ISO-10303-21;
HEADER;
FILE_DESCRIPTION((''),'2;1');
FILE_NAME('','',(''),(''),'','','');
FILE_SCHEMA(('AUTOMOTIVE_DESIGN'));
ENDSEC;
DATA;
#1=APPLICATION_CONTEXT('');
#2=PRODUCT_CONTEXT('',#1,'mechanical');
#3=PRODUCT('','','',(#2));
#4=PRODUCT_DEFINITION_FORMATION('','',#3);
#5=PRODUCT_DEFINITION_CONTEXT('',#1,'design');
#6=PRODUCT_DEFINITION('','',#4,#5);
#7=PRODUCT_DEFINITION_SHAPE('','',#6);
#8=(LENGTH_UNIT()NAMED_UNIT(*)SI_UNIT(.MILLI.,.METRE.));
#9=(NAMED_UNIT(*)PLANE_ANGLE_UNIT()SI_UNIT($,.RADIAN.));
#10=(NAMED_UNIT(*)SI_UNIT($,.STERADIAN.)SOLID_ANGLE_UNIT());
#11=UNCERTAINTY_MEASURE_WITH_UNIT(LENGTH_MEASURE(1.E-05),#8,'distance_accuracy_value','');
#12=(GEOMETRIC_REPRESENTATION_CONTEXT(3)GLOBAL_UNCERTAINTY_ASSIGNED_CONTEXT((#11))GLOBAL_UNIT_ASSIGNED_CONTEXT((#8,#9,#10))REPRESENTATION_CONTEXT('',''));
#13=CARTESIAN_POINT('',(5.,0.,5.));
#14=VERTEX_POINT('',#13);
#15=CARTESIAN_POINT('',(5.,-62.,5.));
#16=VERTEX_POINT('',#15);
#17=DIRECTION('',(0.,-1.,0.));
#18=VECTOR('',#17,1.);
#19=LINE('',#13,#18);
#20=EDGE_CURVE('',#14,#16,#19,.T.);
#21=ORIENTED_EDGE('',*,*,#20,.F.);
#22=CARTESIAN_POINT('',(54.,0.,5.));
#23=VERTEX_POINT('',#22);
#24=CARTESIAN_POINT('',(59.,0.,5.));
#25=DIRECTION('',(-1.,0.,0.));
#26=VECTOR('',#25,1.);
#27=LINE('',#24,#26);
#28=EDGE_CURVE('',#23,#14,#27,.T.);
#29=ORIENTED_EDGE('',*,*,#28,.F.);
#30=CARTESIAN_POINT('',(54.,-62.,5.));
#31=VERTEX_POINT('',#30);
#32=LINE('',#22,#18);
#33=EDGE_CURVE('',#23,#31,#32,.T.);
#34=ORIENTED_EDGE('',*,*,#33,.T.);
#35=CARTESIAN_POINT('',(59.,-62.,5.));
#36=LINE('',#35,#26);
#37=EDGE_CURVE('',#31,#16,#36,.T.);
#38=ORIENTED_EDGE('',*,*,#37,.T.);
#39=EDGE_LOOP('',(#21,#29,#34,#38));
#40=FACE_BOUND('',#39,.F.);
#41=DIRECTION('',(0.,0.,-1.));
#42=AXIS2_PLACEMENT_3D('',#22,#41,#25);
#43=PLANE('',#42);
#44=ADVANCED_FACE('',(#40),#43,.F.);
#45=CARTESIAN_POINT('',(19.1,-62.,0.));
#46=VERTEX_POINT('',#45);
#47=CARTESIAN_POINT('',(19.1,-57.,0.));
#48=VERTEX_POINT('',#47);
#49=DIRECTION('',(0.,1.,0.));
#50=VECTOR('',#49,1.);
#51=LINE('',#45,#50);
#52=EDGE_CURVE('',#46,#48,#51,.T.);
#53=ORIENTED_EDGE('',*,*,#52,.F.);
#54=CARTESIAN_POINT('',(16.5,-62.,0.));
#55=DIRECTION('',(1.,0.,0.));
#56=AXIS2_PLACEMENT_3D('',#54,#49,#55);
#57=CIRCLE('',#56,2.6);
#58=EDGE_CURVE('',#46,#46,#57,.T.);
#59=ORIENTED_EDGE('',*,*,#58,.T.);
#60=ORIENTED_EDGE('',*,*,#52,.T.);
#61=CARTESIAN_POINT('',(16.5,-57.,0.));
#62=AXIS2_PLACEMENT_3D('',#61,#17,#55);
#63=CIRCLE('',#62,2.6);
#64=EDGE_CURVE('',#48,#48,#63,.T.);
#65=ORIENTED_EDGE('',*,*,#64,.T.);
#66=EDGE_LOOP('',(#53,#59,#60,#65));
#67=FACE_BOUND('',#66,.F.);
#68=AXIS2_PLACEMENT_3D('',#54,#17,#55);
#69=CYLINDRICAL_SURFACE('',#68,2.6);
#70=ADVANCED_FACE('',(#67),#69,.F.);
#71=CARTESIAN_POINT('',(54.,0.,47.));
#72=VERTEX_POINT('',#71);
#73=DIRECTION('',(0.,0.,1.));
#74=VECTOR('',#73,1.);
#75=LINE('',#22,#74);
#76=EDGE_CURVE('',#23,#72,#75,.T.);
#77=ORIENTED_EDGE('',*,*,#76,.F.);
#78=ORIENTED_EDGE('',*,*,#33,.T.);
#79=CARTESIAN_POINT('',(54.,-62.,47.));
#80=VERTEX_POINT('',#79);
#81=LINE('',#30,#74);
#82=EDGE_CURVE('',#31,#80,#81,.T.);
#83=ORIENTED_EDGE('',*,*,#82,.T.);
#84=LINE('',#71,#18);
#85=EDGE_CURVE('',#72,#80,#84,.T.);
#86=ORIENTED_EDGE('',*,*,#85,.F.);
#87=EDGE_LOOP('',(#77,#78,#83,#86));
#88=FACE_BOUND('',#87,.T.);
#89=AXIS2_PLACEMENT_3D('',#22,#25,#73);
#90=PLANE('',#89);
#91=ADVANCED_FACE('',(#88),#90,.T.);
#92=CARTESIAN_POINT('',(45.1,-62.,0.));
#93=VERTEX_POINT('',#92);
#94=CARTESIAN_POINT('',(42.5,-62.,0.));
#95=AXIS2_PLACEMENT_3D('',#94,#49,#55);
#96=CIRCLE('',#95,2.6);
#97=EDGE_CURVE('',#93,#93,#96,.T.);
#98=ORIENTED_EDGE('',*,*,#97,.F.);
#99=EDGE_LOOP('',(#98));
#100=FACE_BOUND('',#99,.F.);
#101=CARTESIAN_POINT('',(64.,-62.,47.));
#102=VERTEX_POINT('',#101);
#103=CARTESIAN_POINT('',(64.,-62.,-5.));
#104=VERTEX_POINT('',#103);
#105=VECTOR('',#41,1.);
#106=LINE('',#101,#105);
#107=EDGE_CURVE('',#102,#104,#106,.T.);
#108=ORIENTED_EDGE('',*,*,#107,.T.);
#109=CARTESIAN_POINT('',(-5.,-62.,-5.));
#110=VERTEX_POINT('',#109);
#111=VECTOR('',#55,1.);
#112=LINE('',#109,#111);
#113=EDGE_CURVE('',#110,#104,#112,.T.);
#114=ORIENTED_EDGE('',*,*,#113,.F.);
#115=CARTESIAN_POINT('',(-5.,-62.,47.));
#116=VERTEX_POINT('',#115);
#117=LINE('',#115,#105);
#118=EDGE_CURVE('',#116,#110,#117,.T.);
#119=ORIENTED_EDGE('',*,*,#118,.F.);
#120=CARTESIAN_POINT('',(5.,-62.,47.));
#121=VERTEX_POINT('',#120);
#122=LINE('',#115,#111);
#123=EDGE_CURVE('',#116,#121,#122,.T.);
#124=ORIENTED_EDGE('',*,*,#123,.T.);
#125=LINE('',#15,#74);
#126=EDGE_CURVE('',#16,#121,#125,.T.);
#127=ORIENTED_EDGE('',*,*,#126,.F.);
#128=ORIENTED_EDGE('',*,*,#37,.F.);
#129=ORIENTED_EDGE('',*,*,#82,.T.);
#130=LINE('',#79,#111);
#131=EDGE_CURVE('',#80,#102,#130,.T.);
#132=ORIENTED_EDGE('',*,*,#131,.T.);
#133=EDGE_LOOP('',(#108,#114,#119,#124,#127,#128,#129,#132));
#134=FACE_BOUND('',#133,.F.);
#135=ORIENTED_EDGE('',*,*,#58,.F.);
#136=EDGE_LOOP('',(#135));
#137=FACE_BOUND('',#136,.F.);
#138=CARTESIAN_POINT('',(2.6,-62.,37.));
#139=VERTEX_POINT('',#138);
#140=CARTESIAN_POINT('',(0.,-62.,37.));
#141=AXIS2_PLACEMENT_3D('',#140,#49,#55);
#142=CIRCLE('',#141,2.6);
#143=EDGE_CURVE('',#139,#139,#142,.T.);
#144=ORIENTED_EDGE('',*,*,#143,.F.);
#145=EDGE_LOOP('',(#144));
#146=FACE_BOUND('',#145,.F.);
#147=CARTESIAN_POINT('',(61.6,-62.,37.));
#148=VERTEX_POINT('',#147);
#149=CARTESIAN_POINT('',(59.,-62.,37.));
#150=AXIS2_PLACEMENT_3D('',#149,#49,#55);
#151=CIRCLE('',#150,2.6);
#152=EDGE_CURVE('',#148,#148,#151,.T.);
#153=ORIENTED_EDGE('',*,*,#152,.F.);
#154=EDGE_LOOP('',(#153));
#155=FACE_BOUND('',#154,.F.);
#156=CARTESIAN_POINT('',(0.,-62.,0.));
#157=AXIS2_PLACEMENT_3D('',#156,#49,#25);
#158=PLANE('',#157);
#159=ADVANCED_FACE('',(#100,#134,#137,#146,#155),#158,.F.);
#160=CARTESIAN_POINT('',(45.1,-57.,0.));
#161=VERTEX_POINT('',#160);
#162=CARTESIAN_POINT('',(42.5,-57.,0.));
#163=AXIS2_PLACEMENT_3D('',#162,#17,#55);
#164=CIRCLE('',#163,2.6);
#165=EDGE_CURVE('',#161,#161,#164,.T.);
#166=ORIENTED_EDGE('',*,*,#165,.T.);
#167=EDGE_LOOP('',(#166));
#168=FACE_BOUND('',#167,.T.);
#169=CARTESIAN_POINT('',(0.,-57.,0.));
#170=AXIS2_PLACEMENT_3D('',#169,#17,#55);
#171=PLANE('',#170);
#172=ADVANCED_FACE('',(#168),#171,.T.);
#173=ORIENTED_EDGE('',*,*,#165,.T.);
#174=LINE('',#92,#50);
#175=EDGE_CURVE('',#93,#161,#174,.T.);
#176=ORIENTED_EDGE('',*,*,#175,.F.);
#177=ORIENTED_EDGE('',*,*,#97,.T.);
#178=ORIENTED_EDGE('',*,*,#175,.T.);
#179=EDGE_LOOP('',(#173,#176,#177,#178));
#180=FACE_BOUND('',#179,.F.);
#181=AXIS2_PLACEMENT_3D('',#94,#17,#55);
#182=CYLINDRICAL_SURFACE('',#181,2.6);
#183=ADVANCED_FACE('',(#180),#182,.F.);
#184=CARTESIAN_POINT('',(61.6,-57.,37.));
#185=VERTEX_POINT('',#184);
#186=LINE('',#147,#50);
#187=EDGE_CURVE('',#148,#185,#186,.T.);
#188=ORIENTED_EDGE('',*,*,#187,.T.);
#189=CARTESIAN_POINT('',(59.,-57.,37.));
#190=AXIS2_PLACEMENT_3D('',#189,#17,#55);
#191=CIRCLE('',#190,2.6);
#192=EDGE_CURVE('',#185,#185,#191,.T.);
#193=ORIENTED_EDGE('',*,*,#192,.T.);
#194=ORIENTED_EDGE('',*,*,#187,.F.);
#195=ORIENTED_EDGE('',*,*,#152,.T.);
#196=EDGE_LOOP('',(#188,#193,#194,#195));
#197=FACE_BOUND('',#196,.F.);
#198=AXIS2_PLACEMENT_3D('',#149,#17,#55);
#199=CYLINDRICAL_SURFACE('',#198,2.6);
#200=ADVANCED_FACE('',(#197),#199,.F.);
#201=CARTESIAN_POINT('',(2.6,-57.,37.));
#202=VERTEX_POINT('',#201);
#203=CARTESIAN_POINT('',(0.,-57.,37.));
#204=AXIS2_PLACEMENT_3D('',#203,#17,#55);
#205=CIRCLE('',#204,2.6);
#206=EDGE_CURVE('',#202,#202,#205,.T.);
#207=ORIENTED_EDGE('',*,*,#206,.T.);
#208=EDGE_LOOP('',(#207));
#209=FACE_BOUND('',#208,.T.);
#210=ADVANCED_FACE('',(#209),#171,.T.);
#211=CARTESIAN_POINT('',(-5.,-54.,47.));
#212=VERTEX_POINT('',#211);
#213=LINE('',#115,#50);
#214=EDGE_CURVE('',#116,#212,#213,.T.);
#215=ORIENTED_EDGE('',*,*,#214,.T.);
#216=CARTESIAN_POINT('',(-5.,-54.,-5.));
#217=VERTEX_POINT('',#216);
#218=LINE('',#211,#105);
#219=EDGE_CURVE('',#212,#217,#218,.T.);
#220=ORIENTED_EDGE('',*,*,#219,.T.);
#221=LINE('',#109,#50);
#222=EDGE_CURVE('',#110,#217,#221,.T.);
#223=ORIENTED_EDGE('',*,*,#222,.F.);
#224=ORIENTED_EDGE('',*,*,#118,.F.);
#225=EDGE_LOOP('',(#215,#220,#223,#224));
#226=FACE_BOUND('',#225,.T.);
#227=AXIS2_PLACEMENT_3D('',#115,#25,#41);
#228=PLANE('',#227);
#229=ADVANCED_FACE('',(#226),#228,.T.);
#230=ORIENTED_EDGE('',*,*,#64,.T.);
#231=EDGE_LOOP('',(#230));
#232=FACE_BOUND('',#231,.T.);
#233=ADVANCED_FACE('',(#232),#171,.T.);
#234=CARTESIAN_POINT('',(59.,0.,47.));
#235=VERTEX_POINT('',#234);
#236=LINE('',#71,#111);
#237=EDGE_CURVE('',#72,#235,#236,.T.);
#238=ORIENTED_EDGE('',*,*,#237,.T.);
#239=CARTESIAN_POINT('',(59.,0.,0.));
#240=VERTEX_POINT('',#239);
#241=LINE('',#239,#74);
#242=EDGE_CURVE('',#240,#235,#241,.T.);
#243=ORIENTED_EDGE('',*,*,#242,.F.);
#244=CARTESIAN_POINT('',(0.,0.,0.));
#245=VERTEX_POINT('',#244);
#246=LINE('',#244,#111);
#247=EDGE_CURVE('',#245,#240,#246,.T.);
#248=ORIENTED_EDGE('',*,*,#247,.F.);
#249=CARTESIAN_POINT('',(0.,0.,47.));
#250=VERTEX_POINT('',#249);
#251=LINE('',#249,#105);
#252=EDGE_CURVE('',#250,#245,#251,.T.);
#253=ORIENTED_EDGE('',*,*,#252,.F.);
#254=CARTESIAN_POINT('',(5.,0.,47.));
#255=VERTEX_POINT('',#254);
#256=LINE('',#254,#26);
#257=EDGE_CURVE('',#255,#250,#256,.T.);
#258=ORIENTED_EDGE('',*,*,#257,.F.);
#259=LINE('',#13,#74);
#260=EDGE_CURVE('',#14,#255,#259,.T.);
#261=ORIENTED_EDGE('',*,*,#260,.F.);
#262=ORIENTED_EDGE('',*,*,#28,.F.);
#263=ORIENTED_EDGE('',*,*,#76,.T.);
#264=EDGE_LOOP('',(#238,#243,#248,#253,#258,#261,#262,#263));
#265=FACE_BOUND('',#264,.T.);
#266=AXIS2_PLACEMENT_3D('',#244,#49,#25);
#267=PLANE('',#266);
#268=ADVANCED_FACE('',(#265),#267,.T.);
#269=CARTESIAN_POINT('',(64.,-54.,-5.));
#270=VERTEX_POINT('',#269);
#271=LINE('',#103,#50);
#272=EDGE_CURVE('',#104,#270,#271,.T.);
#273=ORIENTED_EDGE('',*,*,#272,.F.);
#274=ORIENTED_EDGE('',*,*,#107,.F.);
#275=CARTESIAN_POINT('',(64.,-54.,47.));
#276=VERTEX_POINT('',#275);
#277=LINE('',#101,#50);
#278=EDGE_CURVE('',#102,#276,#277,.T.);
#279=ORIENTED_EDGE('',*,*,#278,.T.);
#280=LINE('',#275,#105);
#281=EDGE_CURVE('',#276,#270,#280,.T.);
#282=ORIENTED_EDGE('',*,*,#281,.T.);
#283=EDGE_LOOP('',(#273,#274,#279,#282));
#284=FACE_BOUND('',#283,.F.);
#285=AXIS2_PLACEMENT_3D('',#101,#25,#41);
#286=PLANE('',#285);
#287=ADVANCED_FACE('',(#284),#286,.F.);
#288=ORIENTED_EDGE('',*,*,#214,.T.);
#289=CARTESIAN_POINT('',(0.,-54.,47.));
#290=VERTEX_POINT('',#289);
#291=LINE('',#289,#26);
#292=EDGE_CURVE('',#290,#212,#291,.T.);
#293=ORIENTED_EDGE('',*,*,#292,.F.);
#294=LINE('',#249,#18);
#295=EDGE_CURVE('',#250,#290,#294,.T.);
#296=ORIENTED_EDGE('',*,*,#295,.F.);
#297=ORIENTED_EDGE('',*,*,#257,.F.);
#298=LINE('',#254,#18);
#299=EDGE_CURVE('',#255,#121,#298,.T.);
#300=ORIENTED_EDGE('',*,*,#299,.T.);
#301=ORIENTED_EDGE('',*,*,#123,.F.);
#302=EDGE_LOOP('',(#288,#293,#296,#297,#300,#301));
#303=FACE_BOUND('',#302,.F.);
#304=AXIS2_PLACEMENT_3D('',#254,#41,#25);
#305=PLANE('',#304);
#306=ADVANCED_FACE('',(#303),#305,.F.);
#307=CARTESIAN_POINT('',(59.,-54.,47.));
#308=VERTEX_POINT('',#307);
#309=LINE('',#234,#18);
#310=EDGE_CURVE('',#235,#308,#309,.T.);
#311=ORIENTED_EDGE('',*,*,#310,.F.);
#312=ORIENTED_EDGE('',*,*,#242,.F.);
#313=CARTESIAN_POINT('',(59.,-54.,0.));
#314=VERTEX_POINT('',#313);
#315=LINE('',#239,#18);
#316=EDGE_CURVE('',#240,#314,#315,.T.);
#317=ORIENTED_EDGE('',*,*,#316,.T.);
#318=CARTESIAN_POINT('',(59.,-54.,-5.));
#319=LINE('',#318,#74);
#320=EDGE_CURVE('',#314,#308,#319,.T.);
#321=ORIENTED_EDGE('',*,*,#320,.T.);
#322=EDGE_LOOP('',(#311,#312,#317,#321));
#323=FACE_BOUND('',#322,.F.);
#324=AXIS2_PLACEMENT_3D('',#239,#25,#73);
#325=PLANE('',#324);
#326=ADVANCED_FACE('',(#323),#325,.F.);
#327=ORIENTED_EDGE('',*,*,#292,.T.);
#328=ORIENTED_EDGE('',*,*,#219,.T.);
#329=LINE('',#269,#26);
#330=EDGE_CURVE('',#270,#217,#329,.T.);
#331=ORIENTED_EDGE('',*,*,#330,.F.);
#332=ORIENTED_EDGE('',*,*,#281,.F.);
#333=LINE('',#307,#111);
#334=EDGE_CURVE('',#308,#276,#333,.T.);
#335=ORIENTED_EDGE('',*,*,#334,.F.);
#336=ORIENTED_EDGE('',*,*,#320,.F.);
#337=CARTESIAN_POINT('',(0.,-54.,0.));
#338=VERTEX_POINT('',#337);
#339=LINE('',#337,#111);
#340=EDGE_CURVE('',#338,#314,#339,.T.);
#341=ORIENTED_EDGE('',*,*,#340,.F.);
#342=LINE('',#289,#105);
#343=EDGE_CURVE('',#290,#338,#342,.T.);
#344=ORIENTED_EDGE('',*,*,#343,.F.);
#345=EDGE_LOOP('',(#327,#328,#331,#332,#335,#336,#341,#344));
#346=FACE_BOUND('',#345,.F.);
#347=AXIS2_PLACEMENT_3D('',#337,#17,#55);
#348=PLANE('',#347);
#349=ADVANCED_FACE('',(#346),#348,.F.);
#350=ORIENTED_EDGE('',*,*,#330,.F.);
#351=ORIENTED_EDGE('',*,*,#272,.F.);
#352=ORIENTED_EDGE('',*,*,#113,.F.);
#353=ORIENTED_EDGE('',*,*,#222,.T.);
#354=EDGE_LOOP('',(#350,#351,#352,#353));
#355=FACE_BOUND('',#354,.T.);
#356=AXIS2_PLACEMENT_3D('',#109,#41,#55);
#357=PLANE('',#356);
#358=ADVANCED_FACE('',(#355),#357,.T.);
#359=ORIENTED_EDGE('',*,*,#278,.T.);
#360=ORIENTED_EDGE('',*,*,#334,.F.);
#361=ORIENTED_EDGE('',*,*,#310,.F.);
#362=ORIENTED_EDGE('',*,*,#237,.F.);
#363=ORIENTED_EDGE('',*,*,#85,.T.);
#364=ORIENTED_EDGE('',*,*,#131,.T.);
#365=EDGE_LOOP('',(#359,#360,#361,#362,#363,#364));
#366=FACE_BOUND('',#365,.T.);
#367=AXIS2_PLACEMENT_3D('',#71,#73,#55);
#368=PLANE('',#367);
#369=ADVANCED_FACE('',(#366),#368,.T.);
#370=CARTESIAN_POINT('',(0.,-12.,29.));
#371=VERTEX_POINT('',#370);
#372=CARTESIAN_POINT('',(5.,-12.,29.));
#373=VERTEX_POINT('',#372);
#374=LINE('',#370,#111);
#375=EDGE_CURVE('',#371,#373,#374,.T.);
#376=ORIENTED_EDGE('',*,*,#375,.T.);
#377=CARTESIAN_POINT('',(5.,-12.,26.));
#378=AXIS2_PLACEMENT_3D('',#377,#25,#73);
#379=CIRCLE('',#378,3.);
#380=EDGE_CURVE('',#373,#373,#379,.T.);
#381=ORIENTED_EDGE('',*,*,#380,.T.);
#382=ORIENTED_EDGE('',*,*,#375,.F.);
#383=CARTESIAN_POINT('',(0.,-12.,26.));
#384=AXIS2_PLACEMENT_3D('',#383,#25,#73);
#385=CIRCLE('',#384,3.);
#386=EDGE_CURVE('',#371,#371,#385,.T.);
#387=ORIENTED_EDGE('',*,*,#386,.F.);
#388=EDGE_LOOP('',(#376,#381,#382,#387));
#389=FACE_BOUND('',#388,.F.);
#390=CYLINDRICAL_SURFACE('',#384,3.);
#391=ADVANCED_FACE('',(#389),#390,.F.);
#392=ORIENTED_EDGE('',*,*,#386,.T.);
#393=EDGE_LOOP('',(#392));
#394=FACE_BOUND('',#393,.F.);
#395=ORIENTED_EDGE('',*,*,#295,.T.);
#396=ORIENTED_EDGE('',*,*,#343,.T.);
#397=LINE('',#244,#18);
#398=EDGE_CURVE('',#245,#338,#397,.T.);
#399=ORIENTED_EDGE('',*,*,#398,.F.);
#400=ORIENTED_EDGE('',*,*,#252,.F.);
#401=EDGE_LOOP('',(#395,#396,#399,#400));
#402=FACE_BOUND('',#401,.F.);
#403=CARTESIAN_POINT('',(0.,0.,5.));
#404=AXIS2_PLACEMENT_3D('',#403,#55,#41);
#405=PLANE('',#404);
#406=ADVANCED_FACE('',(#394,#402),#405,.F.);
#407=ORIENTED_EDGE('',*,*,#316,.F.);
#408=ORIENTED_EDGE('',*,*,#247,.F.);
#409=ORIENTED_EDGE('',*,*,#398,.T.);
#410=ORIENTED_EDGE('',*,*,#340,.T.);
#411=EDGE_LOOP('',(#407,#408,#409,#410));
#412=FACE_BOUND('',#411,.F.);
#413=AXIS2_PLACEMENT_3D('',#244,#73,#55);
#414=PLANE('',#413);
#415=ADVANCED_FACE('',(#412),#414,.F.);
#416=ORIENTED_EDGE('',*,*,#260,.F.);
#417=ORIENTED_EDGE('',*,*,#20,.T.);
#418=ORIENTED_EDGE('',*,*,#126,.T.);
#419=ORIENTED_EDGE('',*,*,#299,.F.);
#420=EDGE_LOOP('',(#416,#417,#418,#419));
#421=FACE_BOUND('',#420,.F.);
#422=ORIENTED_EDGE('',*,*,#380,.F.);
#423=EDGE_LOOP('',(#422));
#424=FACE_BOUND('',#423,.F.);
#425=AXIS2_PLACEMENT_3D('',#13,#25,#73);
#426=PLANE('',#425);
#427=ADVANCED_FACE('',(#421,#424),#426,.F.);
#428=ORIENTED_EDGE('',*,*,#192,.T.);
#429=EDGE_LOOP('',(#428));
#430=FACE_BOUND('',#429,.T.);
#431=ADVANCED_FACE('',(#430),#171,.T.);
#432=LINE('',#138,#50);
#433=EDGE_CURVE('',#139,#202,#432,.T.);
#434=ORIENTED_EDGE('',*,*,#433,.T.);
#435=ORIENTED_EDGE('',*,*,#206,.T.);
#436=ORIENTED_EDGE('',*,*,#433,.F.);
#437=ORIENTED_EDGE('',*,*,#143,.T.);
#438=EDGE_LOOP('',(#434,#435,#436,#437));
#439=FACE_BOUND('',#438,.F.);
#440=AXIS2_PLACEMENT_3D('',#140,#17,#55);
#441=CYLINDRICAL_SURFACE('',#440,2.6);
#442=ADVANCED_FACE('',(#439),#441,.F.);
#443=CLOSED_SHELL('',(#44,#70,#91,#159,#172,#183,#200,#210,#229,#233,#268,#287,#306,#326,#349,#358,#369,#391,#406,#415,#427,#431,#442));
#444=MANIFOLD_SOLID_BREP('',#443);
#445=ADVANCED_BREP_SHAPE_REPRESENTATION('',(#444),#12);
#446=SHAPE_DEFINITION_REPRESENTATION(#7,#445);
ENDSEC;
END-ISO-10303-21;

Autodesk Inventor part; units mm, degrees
ref_plane "YZ Plane" through (0, 0, 0) normal (1, 0, 0) x (0, 1, 0)
ref_plane "XZ Plane" through (0, 0, 0) normal (0, 1, 0) x (-1, 0, 0)
ref_plane "XY Plane" through (0, 0, 0) normal (0, 0, 1) x (1, 0, 0)
sketch "Sketch1" plane through (0, 0, 0) normal (0, 1, 0) x (-1, 0, 0)
  line L0 (0, 0) -> (-59, 0)
  line L1 (-59, 0) -> (-59, 5)
  line L2 (-59, 5) -> (0, 5)
  line L3 (0, 5) -> (0, 0)
  line L4 (0, 5) -> (-5, 5)
  line L5 (-5, 5) -> (-5, 47)
  line L6 (-5, 47) -> (0, 47)
  line L7 (0, 47) -> (0, 5)
  line L8 (-59, 5) -> (-54, 5)
  line L9 (-54, 5) -> (-54, 47)
  line L10 (-54, 47) -> (-59, 47)
  line L11 (-59, 47) -> (-59, 5)
  point P0 (-54, 5)
  dimension "d0" = 59
  dimension "d1" = 5
  dimension "d2" = 5
  dimension "d3" = 42
  dimension "d4" = 5
  dimension "d5" = 42
extrude "Extrusion1" add sketch "Sketch1" against normal blind 62
sketch "Sketch7" plane through (0, -62, 0) normal (0, -1, 0) x (1, 0, 0)
  line L0 (0, 47) -> (0, 0) projected
  line L1 (0, 47) -> (-5, 47)
  line L2 (-5, 47) -> (-5, -5)
  line L3 (-5, -5) -> (0, -5)
  line L4 (0, -5) -> (0, 47)
  line L5 (59, 47) -> (54, 47) projected
  line L6 (59, 47) -> (64, 47)
  line L7 (64, 47) -> (64, -5)
  line L8 (64, -5) -> (59, -5)
  line L9 (59, -5) -> (59, 47)
  line L10 (0, 0) -> (59, 0) projected
  line L11 (59, -5) -> (0, -5)
  line L12 (0, -5) -> (0, 0)
  line L13 (0, 0) -> (59, 0)
  line L14 (59, 0) -> (59, -5)
  dimension "d34" = 5
  dimension "d35" = 52
  dimension "d36" = 5
  dimension "d37" = 52
extrude "Extrusion7" add sketch "Sketch7" against normal blind 8
sketch "Sketch8" plane through (0, -62, 0) normal (0, -1, 0) x (1, 0, 0)
  line L0 (0, 0) -> (0, 47) projected
  line L1 (5, 47) -> (-5, 47) projected
  circle A0 centre (0, 37) radius 2.6
  line L2 (59, 47) -> (59, 0) projected
  line L3 (64, 47) -> (54, 47) projected
  circle A1 centre (59, 37) radius 2.6
  line L4 (59, 0) -> (0, 0) projected
  line L5 (-5, 47) -> (-5, -5) projected
  line L6 (64, -5) -> (64, 47) projected
  circle A2 centre (16.5, 0) radius 2.6
  circle A3 centre (42.5, 0) radius 2.6
  point P0 (29.5, 0)
  dimension "d40" = 10
  dimension "d41" = 5.2
  dimension "d42" = 10
  dimension "d43" = 5.2
  dimension "d44" = 34.5
  dimension "d47" = 5.2
  dimension "d48" = 5.2
  dimension "d56" = 13
  dimension "d57" = 13
extrude "Extrusion8" cut sketch "Sketch8" against normal blind 5
sketch "Sketch9" plane through (0, 0, 0) normal (-1, 0, 0) x (0, 0, 1)
  point P0 (0, 0)
sketch "Sketch10" plane through (0, 0, 0) normal (-1, 0, 0) x (0, 0, 1)
  line L0 (47, 0) -> (47, -54) projected
  line L1 (47, -62) -> (-5, -62) projected
  circle A0 centre (26, -12) radius 3
  point P0 (0, 0)
  dimension "d51" = 21
  dimension "d52" = 50
  dimension "d53" = 6
extrude "Extrusion9" cut sketch "Sketch10" against normal blind 5
equation "\"d4\" = d2"
equation "\"d5\" = d3"
equation "\"d42\" = d40"
equation "\"d43\" = d41"
equation "\"d47\" = d41"
equation "\"d48\" = d47"
equation "\"d57\" = d56"
properties part number "top cam mount v04"
